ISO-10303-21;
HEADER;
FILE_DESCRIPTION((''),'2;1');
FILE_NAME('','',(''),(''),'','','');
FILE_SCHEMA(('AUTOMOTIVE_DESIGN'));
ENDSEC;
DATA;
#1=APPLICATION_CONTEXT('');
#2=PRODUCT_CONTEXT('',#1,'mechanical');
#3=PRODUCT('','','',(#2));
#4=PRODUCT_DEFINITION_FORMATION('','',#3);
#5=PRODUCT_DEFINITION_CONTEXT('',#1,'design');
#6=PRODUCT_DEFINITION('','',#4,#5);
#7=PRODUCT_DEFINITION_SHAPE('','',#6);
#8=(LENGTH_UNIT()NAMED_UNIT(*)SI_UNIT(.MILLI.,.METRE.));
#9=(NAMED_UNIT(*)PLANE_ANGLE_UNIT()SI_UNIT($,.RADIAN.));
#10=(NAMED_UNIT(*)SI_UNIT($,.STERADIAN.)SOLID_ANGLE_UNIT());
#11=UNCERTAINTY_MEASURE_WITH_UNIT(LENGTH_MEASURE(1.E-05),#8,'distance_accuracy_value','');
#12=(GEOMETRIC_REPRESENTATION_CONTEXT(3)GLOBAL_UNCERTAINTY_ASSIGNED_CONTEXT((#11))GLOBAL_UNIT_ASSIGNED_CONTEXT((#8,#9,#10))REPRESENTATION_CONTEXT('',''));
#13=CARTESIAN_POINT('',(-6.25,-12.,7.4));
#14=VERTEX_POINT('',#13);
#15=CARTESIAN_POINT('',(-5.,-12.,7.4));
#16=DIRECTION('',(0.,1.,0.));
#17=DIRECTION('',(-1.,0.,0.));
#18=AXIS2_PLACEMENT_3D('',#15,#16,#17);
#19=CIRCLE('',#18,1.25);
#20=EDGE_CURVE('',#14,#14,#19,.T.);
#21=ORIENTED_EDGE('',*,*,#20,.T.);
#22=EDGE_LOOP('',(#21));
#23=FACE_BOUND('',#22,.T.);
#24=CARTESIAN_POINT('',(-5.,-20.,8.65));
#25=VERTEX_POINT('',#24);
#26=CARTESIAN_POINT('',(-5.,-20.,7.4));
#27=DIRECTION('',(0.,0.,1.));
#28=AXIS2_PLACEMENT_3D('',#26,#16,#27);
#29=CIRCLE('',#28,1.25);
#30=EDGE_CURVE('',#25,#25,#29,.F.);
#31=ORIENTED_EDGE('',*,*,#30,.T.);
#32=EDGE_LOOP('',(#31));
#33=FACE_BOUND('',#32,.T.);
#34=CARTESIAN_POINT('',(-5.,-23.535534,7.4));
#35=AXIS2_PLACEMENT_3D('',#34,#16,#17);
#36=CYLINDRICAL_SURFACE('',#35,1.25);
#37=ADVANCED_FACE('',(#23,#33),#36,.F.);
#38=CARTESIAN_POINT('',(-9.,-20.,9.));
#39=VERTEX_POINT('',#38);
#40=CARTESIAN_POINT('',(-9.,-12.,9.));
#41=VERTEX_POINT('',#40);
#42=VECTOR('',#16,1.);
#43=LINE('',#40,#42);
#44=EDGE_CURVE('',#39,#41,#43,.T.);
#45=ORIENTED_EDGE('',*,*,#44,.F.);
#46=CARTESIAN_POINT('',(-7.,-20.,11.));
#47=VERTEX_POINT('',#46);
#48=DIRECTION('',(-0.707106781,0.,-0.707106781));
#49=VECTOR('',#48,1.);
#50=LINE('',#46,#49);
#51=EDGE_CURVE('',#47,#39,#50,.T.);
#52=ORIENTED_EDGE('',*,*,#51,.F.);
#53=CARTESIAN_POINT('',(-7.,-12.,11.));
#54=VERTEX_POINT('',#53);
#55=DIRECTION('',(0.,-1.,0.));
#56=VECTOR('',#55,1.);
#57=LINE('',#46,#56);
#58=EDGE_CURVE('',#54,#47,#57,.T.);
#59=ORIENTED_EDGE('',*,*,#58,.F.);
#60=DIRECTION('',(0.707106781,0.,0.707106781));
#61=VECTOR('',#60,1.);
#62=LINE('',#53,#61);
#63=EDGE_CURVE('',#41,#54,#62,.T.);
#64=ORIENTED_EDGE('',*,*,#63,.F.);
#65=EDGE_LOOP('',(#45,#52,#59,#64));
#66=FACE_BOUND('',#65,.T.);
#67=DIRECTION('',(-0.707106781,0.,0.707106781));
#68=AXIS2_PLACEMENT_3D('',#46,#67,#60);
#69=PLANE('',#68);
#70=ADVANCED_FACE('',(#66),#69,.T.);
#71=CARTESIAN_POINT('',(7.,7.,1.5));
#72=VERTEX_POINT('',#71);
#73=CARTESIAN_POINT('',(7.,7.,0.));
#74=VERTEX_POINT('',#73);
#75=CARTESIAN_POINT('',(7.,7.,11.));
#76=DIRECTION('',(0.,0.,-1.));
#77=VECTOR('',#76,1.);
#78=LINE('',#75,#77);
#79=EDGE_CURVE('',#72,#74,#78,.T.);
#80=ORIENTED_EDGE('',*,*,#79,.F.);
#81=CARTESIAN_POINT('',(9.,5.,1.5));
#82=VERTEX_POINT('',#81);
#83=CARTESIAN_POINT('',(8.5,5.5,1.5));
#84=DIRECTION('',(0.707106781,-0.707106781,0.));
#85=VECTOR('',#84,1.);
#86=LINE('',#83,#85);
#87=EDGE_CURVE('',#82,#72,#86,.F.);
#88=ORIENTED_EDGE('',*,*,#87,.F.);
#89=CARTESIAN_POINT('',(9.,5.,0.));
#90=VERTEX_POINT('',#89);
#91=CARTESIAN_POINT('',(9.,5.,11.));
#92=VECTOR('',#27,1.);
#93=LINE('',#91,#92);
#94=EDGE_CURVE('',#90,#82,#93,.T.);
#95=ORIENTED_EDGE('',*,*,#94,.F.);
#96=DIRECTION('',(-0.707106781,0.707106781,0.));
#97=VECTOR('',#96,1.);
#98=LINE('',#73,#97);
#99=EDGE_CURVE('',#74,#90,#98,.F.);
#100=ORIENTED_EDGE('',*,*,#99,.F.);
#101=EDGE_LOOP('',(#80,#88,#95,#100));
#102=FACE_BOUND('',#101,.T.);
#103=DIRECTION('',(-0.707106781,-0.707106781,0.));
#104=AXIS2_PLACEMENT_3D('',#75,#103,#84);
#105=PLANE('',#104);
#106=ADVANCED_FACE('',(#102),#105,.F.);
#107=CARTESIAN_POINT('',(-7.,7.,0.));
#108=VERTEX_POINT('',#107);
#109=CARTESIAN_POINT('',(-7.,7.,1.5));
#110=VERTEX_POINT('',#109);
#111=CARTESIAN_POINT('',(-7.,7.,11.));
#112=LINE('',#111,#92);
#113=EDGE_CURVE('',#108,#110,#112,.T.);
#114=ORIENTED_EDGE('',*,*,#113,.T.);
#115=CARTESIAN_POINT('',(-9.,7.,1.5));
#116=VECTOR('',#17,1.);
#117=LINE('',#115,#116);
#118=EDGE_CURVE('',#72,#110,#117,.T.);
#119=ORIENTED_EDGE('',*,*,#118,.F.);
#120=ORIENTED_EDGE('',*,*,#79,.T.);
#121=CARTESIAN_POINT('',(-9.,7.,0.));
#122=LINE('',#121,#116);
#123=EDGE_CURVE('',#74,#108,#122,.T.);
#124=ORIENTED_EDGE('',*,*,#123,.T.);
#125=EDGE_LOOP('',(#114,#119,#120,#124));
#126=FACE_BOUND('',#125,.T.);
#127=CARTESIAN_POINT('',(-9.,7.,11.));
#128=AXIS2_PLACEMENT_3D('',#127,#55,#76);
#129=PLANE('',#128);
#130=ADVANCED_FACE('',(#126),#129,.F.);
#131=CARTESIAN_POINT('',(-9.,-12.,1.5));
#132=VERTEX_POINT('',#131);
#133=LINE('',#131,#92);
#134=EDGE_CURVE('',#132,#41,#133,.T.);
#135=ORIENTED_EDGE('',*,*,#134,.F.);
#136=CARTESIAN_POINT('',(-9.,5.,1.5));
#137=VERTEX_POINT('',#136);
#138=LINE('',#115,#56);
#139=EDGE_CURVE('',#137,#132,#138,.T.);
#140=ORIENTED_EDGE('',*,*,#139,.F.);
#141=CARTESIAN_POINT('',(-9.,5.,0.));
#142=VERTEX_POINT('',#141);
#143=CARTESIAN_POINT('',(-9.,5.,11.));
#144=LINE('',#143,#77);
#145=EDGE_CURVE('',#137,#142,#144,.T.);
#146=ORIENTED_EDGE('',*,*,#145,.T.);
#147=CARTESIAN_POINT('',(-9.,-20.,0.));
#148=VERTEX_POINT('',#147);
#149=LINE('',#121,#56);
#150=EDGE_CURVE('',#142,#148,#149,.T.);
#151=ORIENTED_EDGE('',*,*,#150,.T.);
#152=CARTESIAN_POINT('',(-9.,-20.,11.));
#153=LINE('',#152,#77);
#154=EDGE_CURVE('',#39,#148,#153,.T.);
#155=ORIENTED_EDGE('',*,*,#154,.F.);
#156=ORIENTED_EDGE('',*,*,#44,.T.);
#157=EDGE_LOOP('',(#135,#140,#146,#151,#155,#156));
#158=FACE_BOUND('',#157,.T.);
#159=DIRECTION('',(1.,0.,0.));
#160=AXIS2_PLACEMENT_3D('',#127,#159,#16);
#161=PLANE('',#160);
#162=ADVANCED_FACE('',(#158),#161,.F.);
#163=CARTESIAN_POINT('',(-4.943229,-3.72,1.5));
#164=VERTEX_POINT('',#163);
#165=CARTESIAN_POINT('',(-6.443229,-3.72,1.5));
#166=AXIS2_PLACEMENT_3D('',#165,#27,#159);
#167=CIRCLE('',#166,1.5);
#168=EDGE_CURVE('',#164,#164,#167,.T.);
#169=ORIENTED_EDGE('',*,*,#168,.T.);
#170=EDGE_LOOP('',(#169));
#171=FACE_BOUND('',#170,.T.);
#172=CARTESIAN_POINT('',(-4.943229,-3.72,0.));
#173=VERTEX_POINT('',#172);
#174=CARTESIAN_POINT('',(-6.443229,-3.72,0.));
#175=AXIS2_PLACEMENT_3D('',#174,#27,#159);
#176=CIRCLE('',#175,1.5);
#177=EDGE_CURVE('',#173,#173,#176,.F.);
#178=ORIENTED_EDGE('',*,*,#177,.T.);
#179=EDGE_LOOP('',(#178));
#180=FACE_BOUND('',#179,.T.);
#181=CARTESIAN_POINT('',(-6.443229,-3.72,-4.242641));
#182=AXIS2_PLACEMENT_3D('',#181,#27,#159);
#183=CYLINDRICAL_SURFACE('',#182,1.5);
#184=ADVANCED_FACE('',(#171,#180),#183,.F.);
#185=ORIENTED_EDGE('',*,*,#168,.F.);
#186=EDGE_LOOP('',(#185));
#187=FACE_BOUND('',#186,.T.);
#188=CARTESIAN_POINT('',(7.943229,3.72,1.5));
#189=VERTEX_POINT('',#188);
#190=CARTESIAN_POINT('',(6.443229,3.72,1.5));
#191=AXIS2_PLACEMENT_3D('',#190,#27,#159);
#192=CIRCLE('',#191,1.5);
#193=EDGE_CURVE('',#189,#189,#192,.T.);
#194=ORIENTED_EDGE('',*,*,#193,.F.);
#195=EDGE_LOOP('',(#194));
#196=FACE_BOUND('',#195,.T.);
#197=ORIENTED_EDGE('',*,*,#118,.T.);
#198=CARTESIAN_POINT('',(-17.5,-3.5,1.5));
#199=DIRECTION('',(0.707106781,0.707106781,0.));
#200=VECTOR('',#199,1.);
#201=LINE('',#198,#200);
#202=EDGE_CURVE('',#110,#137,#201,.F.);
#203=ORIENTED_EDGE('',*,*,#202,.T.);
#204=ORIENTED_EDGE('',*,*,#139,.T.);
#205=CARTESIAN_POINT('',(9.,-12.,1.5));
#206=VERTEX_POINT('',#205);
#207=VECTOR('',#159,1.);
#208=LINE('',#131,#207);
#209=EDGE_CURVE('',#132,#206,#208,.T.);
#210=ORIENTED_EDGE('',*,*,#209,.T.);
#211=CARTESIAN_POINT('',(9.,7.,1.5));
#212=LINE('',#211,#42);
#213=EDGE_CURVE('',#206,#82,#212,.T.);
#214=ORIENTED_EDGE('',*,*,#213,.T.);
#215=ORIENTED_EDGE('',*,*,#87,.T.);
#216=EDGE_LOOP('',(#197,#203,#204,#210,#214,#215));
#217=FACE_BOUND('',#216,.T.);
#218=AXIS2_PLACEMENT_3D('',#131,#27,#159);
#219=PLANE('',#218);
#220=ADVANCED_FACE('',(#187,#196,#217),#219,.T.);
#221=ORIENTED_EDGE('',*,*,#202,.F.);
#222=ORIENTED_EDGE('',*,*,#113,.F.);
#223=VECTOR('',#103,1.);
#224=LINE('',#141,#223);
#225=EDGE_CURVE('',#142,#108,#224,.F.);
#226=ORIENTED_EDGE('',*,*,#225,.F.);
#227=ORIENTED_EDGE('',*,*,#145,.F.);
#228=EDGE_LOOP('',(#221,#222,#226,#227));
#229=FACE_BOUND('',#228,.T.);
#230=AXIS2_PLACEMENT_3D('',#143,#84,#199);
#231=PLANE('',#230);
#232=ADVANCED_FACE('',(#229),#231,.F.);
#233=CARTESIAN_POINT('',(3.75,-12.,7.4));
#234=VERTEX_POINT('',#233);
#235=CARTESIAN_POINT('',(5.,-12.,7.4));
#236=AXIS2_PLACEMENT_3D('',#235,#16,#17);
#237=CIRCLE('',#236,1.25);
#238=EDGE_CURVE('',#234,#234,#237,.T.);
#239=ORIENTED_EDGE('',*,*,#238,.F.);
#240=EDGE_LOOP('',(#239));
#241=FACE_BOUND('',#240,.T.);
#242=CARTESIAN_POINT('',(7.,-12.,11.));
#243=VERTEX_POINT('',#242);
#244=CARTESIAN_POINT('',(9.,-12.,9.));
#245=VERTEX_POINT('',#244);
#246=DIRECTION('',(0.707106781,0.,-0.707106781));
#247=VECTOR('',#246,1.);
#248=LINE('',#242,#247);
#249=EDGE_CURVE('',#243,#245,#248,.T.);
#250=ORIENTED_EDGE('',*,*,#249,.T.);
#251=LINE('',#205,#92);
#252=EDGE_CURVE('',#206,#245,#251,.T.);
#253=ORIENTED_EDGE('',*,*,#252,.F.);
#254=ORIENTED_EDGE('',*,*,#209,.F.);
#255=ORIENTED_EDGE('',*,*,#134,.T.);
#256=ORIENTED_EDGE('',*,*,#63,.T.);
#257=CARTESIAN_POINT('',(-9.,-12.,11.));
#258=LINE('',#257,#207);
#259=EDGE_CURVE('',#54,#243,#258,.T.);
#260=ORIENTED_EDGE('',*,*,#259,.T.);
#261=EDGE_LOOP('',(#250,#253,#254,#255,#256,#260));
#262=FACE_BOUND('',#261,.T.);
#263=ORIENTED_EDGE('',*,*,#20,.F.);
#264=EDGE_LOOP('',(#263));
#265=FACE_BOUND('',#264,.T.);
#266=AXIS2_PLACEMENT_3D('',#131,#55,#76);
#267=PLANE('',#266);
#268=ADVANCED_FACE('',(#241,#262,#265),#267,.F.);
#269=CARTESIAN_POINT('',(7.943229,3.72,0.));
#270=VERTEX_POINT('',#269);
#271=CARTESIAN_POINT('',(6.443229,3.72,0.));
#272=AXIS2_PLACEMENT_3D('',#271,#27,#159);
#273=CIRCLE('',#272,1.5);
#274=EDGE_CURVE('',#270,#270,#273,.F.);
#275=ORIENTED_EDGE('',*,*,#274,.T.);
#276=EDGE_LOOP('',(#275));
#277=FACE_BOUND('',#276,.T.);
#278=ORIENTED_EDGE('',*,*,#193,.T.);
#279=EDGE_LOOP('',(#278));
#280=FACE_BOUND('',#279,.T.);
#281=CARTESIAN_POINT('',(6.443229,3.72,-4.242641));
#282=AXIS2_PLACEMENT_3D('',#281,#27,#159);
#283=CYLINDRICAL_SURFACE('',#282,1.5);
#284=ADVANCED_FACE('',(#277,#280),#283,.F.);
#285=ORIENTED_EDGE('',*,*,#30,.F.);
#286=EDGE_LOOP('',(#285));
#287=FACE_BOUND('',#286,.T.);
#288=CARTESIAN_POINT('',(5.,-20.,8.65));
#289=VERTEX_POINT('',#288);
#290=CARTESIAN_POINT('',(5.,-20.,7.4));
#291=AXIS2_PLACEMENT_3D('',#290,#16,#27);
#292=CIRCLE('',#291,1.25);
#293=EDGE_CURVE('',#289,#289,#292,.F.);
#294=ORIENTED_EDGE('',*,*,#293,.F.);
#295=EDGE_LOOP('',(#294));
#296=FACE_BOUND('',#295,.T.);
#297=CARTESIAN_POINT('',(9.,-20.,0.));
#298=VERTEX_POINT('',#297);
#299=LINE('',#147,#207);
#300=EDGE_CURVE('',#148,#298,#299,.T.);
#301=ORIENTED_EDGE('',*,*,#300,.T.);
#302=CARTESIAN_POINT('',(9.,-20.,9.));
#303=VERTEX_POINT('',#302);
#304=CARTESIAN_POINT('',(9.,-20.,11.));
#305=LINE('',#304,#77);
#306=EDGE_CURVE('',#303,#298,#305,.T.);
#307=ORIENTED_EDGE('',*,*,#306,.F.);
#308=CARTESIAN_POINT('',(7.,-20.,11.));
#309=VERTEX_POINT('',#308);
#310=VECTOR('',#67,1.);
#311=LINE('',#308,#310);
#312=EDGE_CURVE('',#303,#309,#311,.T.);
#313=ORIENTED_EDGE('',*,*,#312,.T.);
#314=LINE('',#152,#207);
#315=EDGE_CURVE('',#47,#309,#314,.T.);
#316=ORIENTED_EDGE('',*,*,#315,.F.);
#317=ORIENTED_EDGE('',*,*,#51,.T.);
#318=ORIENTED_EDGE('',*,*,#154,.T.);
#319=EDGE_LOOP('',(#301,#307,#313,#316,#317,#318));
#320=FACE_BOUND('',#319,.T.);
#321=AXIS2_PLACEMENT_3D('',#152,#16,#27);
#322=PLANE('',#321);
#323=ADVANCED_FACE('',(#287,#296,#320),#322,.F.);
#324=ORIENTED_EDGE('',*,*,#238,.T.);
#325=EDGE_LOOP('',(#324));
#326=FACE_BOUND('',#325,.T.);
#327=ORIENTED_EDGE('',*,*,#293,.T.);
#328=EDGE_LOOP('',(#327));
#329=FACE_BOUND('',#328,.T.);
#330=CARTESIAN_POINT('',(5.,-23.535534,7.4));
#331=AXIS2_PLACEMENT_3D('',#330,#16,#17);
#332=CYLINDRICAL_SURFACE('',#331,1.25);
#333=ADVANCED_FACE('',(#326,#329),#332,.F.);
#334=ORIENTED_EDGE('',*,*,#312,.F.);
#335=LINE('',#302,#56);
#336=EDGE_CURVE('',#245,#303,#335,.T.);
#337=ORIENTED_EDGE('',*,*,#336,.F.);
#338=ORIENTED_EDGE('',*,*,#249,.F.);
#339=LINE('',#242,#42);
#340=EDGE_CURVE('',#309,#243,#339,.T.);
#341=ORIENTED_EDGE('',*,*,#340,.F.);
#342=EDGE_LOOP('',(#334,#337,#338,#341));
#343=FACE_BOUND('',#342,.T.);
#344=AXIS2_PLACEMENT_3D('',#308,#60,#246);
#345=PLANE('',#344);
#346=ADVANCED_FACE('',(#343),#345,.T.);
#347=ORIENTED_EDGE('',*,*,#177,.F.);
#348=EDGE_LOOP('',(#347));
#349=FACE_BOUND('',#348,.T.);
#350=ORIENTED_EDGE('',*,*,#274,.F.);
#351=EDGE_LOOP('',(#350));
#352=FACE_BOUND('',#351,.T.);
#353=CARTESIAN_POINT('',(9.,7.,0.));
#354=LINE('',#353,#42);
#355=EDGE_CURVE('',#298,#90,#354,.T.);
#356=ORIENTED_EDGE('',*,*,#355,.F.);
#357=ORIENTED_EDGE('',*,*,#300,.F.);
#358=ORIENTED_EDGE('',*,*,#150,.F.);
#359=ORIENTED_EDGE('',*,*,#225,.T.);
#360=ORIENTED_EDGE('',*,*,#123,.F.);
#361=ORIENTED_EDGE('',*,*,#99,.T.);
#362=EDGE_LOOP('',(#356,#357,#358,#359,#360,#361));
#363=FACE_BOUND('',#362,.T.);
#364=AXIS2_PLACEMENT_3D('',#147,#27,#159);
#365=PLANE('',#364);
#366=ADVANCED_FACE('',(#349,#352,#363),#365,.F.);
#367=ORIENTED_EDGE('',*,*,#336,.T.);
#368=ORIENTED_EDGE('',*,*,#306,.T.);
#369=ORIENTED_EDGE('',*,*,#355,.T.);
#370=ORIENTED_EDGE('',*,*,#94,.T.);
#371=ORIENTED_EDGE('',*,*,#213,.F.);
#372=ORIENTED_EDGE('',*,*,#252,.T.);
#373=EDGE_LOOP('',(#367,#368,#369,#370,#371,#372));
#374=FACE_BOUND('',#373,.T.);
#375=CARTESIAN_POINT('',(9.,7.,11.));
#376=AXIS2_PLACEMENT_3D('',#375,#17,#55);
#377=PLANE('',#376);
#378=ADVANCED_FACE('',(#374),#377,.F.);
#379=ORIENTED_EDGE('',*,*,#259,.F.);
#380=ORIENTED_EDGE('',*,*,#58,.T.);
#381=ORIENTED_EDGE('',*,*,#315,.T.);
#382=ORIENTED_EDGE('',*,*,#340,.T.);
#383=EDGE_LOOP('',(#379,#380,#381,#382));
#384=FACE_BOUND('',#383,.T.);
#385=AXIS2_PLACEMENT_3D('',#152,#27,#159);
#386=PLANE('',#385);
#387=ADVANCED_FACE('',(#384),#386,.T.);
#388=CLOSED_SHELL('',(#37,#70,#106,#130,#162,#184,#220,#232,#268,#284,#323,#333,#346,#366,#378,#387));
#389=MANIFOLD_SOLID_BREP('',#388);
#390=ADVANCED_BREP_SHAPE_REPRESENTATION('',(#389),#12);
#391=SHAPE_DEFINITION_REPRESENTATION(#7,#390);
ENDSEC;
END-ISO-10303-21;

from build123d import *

# Parameters (mm, degrees)
SKETCH1_W             = 18
SKETCH1_H             = 27
EXTRUDE1_DEPTH        = 11
SKETCH2_W             = 18
SKETCH2_H             = 19
EXTRUDE2_DEPTH        = 9.5
SKETCH3_R             = 1.5
EXTRUDE3_DEPTH        = 1.5
SKETCH4_R             = 1.25
EXTRUDE4_DEPTH        = 8
M3_TAPPED_HOLE1_D     = 2.5
M3_TAPPED_HOLE1_DEPTH = 11.5
M3_TAPPED_HOLE1_TIP   = 0.751075774
CHAMFER1_SIZE         = 2


with BuildPart() as part:
    # Sketch1 → Extrude1 (new body)
    with BuildSketch(Plane.XY):
        with Locations((0, -6.5)):
            Rectangle(SKETCH1_W, SKETCH1_H)
    extrude(amount=EXTRUDE1_DEPTH)

    # Sketch2 → Extrude2 (cut)
    with BuildSketch(Plane.XY.offset(11)):
        with Locations((0, -2.5)):
            Rectangle(SKETCH2_W, SKETCH2_H)
    extrude(amount=-EXTRUDE2_DEPTH, mode=Mode.SUBTRACT)

    # Sketch3 → Extrude3 (cut)
    with BuildSketch(Plane.XY.offset(1.5)):
        with Locations((6.443229004, 3.72)):
            Circle(SKETCH3_R)
        with Locations((-6.443229004, -3.72)):
            Circle(SKETCH3_R)
    extrude(amount=-EXTRUDE3_DEPTH, mode=Mode.SUBTRACT)

    # Sketch4 → Extrude4 (cut)
    with BuildSketch(Plane(origin=(0, -12, 0), x_dir=(1, 0, 0), z_dir=(0, 1, 0))):
        with Locations(Location((-5, -7.4, 0), (0, 0, 180))):
            Circle(SKETCH4_R)
        with Locations(Location((5, -7.4, 0), (0, 0, 180))):
            Circle(SKETCH4_R)
    extrude(amount=-EXTRUDE4_DEPTH, mode=Mode.SUBTRACT)

    # M3 Tapped Hole1
    with Locations(Plane(origin=(5, -20, 7.4), x_dir=(0, 0, -1), z_dir=(0, -1, 0))):
        with Locations((0, 0), (0, -10)):
            Hole(M3_TAPPED_HOLE1_D / 2, depth=M3_TAPPED_HOLE1_DEPTH)
            with Locations((0, 0, -(M3_TAPPED_HOLE1_DEPTH + M3_TAPPED_HOLE1_TIP / 2))):  # 118° drill point
                Cone(0, M3_TAPPED_HOLE1_D / 2, M3_TAPPED_HOLE1_TIP, mode=Mode.SUBTRACT)

    # Chamfer1
    chamfer1_edges = [part.edges().sort_by_distance(p)[0] for p in [
        (9, -16, 11),
        (-9, -16, 11),
        (-9, 7, 0.75),
        (9, 7, 0.75),
    ]]
    chamfer(chamfer1_edges, length=CHAMFER1_SIZE)


solid = part.part
